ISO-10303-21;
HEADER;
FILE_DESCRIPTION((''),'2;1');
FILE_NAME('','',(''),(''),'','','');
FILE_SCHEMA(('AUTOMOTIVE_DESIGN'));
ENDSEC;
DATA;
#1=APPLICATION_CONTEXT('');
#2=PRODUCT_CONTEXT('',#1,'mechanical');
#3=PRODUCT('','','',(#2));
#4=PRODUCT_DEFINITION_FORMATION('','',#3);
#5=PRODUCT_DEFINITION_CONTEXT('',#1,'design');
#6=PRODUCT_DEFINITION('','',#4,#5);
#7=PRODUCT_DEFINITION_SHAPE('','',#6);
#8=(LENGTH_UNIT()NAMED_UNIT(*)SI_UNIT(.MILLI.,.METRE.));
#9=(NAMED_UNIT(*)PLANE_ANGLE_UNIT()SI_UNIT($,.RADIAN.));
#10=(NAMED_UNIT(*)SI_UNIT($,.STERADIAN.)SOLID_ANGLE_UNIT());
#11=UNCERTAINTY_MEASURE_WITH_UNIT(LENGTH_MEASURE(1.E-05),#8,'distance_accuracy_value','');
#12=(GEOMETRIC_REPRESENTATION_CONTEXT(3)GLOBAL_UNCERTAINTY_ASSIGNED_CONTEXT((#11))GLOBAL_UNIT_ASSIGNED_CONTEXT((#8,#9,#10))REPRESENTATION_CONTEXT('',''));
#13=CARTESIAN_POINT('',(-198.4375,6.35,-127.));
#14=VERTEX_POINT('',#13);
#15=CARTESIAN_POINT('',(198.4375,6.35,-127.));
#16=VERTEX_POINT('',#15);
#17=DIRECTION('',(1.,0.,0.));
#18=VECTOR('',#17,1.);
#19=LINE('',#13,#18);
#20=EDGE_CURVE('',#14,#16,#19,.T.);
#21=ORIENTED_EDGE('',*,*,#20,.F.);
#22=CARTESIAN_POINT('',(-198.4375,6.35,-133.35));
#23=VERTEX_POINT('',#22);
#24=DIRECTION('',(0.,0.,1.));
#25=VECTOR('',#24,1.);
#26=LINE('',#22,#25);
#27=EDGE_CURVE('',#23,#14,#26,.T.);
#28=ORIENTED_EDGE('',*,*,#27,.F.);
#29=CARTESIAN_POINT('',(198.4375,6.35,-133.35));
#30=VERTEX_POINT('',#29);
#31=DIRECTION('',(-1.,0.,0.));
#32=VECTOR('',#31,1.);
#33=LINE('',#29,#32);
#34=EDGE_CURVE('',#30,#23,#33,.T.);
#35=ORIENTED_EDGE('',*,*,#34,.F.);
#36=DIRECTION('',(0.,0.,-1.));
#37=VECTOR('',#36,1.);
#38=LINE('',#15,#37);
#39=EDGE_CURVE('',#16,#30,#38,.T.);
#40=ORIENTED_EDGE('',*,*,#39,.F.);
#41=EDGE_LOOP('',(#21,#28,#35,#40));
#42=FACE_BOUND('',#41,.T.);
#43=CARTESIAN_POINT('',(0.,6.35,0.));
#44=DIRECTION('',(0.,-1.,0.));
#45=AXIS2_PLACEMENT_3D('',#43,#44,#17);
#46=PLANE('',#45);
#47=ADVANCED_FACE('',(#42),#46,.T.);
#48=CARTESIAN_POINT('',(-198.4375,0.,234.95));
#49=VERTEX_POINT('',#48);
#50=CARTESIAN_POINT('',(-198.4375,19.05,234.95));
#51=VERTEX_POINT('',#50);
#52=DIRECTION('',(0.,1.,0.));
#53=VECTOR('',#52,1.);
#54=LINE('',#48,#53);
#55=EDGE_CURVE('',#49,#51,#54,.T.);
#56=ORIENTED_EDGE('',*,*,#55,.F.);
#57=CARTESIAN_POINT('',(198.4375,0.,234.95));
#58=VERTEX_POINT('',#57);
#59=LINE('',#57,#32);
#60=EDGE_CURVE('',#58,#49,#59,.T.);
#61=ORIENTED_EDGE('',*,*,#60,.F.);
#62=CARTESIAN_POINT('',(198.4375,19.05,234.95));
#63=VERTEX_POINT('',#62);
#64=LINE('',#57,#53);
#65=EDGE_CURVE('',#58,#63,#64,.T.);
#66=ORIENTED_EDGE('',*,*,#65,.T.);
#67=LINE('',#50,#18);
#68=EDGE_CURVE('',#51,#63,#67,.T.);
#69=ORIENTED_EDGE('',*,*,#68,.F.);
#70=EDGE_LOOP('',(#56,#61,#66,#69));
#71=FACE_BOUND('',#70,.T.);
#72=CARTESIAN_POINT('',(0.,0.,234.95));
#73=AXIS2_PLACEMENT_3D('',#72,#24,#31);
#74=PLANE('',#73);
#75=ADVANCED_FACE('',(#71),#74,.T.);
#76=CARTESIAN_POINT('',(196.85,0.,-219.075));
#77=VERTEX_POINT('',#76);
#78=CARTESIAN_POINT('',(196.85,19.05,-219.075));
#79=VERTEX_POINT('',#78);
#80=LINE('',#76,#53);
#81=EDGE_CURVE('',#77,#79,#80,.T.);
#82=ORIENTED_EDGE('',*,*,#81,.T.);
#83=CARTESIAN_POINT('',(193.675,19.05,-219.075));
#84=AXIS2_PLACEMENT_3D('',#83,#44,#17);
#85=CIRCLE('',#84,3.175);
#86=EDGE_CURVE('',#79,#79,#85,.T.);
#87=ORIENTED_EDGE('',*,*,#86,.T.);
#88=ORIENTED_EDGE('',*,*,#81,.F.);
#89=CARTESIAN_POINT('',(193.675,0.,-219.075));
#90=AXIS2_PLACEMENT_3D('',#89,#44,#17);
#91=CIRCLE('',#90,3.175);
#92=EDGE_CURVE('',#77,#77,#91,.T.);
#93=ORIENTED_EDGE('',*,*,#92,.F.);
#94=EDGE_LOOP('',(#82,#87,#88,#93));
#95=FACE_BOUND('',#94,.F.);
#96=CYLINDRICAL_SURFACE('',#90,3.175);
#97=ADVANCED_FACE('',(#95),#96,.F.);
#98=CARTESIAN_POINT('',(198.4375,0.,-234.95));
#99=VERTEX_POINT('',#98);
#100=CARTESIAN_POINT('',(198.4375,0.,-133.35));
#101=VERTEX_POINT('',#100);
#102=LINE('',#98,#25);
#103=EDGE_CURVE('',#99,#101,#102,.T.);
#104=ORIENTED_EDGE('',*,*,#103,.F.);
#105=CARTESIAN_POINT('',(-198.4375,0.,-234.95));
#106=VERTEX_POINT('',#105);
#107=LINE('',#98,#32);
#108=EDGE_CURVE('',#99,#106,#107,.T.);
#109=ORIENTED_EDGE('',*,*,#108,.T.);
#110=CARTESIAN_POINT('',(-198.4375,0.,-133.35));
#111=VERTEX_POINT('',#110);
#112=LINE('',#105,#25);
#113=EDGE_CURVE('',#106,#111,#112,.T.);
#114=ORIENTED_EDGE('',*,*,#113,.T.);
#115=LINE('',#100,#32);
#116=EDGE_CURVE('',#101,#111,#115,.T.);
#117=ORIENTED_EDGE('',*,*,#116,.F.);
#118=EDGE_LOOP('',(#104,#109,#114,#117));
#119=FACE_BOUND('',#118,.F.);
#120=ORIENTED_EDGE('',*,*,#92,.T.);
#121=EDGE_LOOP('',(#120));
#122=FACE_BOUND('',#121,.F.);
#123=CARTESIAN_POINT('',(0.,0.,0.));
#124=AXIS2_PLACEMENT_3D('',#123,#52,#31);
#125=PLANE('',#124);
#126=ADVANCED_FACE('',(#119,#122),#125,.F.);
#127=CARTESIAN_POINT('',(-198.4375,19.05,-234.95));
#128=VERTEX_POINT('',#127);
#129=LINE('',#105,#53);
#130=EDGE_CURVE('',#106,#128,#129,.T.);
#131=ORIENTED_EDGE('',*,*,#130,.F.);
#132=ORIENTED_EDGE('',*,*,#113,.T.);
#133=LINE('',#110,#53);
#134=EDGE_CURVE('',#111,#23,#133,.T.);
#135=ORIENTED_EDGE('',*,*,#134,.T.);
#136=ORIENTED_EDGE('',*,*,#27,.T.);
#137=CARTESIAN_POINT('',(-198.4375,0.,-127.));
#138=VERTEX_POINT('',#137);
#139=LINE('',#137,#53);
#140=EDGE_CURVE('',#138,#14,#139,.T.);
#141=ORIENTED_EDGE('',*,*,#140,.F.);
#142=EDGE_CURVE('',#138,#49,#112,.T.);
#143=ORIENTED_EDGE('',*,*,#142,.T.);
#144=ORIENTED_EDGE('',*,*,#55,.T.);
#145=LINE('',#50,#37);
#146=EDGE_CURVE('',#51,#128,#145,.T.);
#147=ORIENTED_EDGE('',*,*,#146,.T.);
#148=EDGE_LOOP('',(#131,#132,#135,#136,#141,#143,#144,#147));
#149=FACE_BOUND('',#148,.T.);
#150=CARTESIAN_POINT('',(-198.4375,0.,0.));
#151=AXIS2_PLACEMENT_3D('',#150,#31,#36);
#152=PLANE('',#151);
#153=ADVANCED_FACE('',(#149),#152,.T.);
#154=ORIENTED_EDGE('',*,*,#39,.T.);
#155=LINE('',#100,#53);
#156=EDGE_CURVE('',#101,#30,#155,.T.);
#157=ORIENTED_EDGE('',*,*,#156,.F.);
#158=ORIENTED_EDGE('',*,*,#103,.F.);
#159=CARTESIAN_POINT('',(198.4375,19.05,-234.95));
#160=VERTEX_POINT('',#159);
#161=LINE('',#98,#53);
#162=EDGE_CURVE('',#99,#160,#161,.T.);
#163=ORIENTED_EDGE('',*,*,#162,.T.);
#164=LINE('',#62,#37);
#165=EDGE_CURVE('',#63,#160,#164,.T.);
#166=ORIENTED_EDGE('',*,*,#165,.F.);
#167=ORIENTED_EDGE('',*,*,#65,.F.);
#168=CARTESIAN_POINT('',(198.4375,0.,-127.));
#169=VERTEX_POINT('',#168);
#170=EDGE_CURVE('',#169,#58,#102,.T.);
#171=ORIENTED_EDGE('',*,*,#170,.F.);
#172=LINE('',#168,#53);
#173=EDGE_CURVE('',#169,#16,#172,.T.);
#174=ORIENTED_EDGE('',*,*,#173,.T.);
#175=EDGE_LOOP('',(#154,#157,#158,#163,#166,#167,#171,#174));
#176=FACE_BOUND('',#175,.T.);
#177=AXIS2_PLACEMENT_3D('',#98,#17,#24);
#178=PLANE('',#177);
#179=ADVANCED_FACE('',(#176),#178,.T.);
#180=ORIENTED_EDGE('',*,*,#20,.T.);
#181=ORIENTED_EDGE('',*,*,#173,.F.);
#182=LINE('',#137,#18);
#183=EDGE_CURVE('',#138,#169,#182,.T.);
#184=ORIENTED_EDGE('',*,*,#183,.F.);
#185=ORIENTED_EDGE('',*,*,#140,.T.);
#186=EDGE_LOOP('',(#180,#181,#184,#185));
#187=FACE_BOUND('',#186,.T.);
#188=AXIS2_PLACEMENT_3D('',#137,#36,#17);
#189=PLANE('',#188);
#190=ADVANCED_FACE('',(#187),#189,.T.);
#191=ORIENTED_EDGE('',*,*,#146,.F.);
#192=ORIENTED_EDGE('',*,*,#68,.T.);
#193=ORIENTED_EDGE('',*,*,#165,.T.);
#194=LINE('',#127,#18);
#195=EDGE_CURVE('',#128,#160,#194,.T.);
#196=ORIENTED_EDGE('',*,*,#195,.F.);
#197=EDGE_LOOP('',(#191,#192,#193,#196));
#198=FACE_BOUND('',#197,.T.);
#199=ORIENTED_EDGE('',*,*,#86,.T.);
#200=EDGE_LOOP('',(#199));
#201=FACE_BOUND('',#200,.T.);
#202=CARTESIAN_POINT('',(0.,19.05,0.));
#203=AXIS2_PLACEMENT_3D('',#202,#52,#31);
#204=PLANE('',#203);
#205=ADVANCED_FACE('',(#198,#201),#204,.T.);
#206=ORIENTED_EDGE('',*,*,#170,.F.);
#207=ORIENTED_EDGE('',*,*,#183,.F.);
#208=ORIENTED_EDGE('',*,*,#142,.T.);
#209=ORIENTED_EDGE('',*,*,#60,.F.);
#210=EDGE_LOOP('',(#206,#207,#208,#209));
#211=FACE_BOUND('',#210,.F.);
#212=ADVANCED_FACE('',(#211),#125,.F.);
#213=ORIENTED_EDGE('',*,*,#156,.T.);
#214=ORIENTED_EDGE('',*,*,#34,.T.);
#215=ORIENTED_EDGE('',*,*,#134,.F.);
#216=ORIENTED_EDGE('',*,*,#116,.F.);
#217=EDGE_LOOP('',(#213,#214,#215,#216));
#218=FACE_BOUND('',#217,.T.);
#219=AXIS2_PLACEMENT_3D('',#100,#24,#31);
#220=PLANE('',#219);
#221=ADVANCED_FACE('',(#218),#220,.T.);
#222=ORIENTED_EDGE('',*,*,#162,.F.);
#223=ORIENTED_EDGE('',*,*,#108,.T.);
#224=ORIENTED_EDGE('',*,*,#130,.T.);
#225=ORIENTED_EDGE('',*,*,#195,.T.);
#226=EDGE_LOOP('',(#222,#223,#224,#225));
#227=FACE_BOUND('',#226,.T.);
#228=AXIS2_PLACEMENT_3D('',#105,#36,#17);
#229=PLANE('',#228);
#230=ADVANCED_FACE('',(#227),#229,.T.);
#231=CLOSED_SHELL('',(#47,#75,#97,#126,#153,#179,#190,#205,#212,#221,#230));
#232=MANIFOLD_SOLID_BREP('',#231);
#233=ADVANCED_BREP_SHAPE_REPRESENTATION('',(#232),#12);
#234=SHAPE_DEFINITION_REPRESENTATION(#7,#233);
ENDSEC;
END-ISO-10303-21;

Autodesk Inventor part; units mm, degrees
ref_plane "YZ Plane" through (0, 0, 0) normal (1, 0, 0) x (0, 1, 0)
ref_plane "XZ Plane" through (0, 0, 0) normal (0, 1, 0) x (-1, 0, 0)
ref_plane "XY Plane" through (0, 0, 0) normal (0, 0, 1) x (1, 0, 0)
sketch "Sketch1" plane through (0, 0, 0) normal (0, 1, 0) x (-1, 0, 0)
  line L0 (198.4375, -234.95) -> (-198.4375, -234.95)
  line L1 (-198.4375, -234.95) -> (-198.4375, 234.95)
  line L2 (-198.4375, 234.95) -> (198.4375, 234.95)
  line L3 (198.4375, 234.95) -> (198.4375, -234.95)
  line L4 (0, -328.93) -> (0, 328.93) projected
  line L5 (277.8125, 0) -> (-277.8125, 0) projected
  point P0 (0, 0)
  dimension "d0" = 396.875
  dimension "d1" = 469.9
  dimension "d4" = 198.4375
  dimension "d8" = 234.95
extrude "Board" add sketch "Sketch1" along normal blind 19.05
sketch "Sketch3" plane through (0, 0, 0) normal (0, -1, 0) x (1, 0, 0)
  circle A0 centre (193.675, -219.075) radius 3.175
  line L0 (-198.4375, -234.95) -> (198.4375, -234.95) projected
  line L1 (198.4375, -234.95) -> (198.4375, 234.95) projected
  point P0 (0, 0)
  dimension "d19" = 6.35
  dimension "d22" = 12.7
  dimension "d23" = 1.5875
extrude "Wire Hole" cut sketch "Sketch3" against normal blind 19.05
sketch "Sketch4" plane through (0, 0, 0) normal (0, -1, 0) x (1, 0, 0)
  line L0 (-198.4375, -127) -> (198.4375, -127)
  line L1 (198.4375, -127) -> (198.4375, -133.35)
  line L2 (198.4375, -133.35) -> (-198.4375, -133.35)
  line L3 (-198.4375, -133.35) -> (-198.4375, -127)
  line L4 (-198.4375, -234.95) -> (198.4375, -234.95) projected
  line L5 (-198.4375, 234.95) -> (-198.4375, -234.95) projected
  line L6 (198.4375, -234.95) -> (198.4375, 234.95) projected
  point P0 (0, 0)
  point P1 (192.0875, -244.475)
  point P2 (198.4375, -231.775)
  dimension "d15" = 6.35
  dimension "d16" = 101.6
extrude "Wine Rack Backing Dado" cut sketch "Sketch4" against normal blind 6.35 contours L0 L1 L2 L3
equation "\"d4\" = 0.5 * d0"
equation "\"d8\" = 0.5 * d1"
properties part number "Horizontal Shelf"
